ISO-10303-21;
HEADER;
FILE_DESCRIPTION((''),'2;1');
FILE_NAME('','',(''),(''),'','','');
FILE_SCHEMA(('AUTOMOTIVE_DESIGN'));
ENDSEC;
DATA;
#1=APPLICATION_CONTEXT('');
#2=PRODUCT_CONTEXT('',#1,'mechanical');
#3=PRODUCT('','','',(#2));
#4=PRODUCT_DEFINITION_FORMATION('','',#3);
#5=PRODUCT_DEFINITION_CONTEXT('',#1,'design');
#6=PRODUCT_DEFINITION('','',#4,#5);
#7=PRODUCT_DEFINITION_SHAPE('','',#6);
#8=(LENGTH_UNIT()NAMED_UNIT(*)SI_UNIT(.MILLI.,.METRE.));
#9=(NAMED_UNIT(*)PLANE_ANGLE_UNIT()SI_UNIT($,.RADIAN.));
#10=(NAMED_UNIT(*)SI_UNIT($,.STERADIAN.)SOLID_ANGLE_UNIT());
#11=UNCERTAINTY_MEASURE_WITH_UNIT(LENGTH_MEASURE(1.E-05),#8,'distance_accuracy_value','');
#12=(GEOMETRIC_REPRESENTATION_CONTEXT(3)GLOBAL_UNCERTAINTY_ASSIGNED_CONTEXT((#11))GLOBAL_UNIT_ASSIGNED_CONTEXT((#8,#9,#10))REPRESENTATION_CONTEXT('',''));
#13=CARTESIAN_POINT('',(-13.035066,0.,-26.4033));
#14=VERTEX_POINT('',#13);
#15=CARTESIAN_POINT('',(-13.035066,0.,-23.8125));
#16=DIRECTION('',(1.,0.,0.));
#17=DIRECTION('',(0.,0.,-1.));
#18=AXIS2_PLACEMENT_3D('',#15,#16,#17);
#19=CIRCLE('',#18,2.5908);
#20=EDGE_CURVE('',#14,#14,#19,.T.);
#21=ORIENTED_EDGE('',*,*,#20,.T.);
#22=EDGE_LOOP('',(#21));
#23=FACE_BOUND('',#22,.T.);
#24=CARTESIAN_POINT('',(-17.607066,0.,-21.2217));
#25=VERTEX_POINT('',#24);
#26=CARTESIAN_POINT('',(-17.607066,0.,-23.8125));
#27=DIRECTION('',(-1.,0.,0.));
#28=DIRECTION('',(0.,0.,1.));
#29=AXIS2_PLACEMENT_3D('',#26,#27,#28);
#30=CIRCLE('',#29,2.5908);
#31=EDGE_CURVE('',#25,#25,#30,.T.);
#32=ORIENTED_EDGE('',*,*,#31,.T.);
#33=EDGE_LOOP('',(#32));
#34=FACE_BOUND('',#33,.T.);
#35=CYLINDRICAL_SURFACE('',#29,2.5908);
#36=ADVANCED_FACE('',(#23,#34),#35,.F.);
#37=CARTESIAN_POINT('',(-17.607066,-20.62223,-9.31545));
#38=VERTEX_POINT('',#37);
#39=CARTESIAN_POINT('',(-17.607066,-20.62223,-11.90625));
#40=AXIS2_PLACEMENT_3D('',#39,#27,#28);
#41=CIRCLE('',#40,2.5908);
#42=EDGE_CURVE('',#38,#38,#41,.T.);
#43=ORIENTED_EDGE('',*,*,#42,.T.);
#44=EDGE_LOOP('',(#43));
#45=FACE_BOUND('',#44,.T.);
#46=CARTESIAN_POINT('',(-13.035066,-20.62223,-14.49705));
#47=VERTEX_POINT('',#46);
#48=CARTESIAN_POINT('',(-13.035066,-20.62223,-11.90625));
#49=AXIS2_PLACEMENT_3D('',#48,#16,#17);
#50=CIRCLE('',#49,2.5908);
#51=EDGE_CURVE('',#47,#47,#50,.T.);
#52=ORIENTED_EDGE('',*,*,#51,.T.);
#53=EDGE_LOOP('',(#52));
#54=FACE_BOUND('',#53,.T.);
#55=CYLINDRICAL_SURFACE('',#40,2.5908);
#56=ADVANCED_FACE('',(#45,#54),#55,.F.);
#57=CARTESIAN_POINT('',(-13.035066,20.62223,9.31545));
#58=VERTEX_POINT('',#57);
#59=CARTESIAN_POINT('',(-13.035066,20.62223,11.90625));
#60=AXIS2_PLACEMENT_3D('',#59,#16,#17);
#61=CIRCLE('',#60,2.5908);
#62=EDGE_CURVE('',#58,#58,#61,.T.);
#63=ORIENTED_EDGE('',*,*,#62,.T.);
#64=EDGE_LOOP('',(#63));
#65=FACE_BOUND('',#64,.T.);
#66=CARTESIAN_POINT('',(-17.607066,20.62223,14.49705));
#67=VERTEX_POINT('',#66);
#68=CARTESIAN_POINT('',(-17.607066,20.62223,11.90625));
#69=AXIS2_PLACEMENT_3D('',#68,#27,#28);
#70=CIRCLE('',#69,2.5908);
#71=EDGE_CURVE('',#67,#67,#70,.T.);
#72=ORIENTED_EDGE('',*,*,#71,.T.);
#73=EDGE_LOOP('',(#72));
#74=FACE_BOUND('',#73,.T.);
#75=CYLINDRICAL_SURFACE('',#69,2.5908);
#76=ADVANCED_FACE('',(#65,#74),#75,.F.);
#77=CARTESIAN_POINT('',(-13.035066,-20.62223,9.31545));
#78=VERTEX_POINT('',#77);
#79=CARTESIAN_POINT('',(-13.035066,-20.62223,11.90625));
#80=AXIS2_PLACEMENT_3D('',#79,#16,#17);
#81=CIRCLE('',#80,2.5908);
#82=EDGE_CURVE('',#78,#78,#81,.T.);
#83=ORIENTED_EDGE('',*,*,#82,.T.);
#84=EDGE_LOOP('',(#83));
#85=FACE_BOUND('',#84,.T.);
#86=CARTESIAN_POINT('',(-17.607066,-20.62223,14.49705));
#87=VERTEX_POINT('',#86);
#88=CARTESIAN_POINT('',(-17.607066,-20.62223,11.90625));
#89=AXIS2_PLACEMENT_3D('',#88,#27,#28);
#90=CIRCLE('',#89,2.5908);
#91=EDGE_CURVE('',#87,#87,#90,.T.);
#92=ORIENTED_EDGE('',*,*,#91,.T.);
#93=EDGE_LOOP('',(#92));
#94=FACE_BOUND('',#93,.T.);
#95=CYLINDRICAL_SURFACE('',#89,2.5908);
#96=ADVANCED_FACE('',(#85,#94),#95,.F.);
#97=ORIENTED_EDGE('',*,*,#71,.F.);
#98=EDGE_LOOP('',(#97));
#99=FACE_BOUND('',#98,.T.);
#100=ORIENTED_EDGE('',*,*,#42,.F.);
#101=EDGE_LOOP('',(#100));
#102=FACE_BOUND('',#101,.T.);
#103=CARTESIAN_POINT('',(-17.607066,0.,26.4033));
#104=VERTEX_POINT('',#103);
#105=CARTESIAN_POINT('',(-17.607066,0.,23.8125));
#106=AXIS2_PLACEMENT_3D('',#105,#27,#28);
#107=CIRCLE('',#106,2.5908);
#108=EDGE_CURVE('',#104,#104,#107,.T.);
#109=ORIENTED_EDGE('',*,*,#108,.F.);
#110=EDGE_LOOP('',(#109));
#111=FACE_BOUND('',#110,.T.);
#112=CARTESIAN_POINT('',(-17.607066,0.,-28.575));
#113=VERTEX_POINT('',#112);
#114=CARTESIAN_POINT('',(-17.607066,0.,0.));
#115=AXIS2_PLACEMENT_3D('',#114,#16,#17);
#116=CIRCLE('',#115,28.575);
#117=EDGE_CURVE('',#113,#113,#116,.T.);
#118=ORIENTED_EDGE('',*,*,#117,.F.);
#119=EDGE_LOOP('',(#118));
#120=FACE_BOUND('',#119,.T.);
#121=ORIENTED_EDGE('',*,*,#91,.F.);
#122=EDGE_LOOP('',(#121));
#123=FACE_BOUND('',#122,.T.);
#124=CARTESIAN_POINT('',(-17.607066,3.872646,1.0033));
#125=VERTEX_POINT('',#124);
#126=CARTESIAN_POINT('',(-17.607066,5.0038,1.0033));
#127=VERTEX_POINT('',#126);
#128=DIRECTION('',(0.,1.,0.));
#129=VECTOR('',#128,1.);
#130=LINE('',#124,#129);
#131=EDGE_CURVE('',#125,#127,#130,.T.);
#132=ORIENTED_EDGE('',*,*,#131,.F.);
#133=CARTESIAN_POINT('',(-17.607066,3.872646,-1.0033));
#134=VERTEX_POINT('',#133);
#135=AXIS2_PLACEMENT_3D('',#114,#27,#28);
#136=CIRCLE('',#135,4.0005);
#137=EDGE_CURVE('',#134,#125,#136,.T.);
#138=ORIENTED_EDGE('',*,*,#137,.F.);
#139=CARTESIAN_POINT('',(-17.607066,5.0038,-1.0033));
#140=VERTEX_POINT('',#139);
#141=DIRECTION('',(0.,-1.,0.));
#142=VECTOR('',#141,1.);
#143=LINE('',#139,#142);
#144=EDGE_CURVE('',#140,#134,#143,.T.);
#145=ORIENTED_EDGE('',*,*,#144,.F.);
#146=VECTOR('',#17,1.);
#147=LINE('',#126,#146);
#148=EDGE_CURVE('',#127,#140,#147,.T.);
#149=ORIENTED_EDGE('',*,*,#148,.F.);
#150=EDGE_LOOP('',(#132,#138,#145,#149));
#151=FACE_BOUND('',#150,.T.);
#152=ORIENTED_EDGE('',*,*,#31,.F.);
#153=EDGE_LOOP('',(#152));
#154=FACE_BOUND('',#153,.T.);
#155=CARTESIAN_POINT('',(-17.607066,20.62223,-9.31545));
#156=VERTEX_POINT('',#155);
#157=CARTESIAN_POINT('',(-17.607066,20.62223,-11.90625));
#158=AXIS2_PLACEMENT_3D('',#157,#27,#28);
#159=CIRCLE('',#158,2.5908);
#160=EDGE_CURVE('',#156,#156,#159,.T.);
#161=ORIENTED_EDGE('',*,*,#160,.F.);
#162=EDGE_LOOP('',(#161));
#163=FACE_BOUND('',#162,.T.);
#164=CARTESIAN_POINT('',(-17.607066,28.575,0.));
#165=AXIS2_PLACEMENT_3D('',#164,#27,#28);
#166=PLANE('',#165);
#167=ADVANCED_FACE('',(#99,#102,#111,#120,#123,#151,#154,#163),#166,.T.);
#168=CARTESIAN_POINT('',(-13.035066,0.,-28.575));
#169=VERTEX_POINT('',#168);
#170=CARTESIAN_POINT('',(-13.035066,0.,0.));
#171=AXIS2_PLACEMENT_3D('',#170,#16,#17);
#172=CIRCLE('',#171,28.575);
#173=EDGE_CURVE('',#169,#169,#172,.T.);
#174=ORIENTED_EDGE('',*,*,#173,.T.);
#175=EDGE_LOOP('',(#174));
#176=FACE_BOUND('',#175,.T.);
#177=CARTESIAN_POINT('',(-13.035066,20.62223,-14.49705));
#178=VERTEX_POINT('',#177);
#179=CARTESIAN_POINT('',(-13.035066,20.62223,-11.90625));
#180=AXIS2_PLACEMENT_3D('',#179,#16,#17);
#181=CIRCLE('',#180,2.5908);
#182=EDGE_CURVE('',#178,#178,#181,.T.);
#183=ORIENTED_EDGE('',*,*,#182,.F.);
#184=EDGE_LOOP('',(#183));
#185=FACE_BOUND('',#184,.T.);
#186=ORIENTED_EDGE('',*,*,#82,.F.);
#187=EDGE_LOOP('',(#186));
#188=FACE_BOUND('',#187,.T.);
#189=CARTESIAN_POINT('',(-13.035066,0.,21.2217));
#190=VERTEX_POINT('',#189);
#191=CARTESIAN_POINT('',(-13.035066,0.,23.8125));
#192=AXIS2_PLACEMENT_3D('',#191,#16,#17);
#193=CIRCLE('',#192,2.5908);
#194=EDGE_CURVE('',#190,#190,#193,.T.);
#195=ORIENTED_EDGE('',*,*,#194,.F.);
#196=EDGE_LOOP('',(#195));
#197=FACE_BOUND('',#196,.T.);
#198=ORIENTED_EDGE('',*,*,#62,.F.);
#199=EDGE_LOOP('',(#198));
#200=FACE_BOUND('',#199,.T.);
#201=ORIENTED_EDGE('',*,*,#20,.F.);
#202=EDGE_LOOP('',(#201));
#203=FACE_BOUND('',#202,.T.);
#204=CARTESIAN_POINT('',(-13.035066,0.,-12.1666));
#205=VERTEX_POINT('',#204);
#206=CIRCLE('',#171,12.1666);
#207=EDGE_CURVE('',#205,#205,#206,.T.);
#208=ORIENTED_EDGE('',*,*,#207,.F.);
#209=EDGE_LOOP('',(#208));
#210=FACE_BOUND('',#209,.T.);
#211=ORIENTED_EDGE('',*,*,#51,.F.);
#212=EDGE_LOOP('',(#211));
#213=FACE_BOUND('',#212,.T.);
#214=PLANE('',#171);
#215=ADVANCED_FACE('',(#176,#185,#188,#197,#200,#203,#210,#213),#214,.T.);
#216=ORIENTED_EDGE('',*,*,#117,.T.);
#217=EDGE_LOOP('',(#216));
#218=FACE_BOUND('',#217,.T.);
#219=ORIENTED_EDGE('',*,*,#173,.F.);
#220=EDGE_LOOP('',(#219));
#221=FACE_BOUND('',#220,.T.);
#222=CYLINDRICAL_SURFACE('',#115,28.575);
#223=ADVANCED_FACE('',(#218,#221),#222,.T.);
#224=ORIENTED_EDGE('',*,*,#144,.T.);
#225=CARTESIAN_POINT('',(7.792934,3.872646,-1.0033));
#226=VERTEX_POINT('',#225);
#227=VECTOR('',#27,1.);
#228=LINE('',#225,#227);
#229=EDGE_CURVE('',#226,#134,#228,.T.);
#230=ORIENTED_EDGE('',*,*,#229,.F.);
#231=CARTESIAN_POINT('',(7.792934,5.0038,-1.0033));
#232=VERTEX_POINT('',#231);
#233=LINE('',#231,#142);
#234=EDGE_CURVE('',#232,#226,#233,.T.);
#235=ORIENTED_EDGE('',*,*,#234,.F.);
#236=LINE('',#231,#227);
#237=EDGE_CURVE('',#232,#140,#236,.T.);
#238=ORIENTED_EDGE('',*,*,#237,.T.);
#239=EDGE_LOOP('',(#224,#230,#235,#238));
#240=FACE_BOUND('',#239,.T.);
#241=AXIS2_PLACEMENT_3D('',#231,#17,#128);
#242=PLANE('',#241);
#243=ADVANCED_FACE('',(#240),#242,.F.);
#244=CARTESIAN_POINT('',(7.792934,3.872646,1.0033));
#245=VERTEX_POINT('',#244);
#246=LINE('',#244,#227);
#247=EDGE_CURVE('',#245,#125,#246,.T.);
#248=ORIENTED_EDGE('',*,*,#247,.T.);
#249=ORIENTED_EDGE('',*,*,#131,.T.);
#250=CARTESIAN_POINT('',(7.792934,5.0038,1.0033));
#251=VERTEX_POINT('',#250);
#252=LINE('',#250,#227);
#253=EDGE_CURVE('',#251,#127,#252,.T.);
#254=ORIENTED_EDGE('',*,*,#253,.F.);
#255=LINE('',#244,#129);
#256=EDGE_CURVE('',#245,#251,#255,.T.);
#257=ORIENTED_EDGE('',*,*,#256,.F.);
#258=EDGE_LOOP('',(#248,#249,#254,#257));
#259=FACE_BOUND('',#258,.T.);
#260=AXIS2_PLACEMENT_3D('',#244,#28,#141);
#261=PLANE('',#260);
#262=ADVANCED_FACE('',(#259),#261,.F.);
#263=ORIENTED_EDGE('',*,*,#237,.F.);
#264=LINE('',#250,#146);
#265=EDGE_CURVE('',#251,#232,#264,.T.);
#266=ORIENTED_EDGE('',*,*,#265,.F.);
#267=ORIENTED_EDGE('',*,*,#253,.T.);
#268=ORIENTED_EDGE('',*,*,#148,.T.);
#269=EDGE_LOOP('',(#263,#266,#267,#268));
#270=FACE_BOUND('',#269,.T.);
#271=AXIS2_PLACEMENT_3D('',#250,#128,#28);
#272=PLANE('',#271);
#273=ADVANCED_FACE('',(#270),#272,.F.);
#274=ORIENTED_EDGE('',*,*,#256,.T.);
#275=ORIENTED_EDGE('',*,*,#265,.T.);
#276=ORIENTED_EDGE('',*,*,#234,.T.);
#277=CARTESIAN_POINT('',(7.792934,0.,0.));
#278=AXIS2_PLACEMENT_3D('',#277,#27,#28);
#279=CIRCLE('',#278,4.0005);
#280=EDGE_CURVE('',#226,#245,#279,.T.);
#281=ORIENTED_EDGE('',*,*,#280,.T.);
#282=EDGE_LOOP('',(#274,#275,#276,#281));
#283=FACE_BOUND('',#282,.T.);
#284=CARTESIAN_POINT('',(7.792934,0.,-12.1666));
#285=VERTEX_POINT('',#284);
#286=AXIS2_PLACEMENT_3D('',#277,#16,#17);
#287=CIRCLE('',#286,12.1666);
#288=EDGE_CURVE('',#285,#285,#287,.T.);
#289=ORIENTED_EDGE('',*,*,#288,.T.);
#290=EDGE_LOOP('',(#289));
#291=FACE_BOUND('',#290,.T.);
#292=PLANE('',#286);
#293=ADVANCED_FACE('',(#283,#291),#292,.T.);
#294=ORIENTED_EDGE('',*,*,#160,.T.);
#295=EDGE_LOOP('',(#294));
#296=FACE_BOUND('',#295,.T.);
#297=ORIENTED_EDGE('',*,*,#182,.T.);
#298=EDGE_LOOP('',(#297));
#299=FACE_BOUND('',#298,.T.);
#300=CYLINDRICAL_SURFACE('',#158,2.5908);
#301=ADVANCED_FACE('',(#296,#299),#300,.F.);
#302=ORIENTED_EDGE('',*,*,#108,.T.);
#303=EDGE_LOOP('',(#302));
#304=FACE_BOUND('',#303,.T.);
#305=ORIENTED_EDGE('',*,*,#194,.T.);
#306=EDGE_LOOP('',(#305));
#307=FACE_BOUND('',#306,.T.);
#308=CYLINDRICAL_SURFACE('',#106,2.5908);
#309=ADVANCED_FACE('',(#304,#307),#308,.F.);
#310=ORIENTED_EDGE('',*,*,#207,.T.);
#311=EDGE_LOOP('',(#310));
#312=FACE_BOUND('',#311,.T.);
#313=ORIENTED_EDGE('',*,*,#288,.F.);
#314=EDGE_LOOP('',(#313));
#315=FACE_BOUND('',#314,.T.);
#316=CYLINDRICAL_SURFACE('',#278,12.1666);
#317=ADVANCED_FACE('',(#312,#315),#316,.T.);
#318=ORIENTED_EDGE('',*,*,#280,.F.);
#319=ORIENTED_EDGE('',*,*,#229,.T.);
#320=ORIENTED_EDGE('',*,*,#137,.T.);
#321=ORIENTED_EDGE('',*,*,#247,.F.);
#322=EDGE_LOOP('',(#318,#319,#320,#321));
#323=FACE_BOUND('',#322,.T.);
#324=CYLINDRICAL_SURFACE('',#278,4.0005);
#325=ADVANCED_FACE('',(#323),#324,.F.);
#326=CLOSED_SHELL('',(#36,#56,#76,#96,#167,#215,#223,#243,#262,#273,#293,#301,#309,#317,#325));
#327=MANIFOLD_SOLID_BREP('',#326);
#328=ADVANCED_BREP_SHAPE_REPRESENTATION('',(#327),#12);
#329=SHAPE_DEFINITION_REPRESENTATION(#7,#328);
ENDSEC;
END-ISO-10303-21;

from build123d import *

# Parameters (mm, degrees)
SKETCH1_W           = 4.572
SKETCH1_H           = 28.575
SKETCH2_R           = 12.1666
BOSS_EXTRUDE1_DEPTH = 20.828
CUT_EXTRUDE1_DEPTH  = 26.4
SKETCH4_W           = 25.4
SKETCH4_H           = 4.0005
HOLE1_D             = 5.1816
HOLE1_DEPTH         = 25.4


with BuildPart() as part:
    # Sketch1 → Revolve1 (revolve)
    with BuildSketch(Plane.XY):
        with Locations((-15.321066246, 14.2875)):
            Rectangle(SKETCH1_W, SKETCH1_H)
    revolve(axis=Axis((-17.607066246, 0, 0), (1, 0, 0)))

    # Sketch2 → Boss-Extrude1 (add)
    with BuildSketch(Plane(origin=(-13.035066246, 0, 0), x_dir=(0, 0, -1), z_dir=(1, 0, 0))):
        Circle(SKETCH2_R)
    extrude(amount=BOSS_EXTRUDE1_DEPTH)

    # Sketch3 → Cut-Extrude1 (cut, through all)
    with BuildSketch(Plane.ZY.offset(17.607066246)):
        with BuildLine():
            Line((1.0033, 3.872646299), (1.0033, 5.0038))
            Line((1.0033, 5.0038), (-1.0033, 5.0038))
            Line((-1.0033, 5.0038), (-1.0033, 3.872646299))
            ThreePointArc((-1.0033, 3.872646299), (0, 4.0005), (1.0033, 3.872646299))
        make_face()
    extrude(amount=-CUT_EXTRUDE1_DEPTH, mode=Mode.SUBTRACT)

    # Sketch4 → Cut-Revolve1 (revolve, cut)
    with BuildSketch(Plane(origin=(0, 0, 0), x_dir=(-1, 0, 0), z_dir=(0, 0, -1))):
        with Locations((4.907066246, 2.00025)):
            Rectangle(SKETCH4_W, SKETCH4_H)
    revolve(axis=Axis((7.792933754, 0, 0), (-1, 0, 0)), mode=Mode.SUBTRACT)

    # Hole1
    with Locations(Plane.ZY.offset(17.607066246)):
        with Locations((23.8125, 0), (11.90625, 20.622229928), (-11.90625, 20.622229928), (-23.8125, 0), (-11.90625, -20.622229928), (11.90625, -20.622229928)):
            Hole(HOLE1_D / 2, depth=HOLE1_DEPTH)


solid = part.part
